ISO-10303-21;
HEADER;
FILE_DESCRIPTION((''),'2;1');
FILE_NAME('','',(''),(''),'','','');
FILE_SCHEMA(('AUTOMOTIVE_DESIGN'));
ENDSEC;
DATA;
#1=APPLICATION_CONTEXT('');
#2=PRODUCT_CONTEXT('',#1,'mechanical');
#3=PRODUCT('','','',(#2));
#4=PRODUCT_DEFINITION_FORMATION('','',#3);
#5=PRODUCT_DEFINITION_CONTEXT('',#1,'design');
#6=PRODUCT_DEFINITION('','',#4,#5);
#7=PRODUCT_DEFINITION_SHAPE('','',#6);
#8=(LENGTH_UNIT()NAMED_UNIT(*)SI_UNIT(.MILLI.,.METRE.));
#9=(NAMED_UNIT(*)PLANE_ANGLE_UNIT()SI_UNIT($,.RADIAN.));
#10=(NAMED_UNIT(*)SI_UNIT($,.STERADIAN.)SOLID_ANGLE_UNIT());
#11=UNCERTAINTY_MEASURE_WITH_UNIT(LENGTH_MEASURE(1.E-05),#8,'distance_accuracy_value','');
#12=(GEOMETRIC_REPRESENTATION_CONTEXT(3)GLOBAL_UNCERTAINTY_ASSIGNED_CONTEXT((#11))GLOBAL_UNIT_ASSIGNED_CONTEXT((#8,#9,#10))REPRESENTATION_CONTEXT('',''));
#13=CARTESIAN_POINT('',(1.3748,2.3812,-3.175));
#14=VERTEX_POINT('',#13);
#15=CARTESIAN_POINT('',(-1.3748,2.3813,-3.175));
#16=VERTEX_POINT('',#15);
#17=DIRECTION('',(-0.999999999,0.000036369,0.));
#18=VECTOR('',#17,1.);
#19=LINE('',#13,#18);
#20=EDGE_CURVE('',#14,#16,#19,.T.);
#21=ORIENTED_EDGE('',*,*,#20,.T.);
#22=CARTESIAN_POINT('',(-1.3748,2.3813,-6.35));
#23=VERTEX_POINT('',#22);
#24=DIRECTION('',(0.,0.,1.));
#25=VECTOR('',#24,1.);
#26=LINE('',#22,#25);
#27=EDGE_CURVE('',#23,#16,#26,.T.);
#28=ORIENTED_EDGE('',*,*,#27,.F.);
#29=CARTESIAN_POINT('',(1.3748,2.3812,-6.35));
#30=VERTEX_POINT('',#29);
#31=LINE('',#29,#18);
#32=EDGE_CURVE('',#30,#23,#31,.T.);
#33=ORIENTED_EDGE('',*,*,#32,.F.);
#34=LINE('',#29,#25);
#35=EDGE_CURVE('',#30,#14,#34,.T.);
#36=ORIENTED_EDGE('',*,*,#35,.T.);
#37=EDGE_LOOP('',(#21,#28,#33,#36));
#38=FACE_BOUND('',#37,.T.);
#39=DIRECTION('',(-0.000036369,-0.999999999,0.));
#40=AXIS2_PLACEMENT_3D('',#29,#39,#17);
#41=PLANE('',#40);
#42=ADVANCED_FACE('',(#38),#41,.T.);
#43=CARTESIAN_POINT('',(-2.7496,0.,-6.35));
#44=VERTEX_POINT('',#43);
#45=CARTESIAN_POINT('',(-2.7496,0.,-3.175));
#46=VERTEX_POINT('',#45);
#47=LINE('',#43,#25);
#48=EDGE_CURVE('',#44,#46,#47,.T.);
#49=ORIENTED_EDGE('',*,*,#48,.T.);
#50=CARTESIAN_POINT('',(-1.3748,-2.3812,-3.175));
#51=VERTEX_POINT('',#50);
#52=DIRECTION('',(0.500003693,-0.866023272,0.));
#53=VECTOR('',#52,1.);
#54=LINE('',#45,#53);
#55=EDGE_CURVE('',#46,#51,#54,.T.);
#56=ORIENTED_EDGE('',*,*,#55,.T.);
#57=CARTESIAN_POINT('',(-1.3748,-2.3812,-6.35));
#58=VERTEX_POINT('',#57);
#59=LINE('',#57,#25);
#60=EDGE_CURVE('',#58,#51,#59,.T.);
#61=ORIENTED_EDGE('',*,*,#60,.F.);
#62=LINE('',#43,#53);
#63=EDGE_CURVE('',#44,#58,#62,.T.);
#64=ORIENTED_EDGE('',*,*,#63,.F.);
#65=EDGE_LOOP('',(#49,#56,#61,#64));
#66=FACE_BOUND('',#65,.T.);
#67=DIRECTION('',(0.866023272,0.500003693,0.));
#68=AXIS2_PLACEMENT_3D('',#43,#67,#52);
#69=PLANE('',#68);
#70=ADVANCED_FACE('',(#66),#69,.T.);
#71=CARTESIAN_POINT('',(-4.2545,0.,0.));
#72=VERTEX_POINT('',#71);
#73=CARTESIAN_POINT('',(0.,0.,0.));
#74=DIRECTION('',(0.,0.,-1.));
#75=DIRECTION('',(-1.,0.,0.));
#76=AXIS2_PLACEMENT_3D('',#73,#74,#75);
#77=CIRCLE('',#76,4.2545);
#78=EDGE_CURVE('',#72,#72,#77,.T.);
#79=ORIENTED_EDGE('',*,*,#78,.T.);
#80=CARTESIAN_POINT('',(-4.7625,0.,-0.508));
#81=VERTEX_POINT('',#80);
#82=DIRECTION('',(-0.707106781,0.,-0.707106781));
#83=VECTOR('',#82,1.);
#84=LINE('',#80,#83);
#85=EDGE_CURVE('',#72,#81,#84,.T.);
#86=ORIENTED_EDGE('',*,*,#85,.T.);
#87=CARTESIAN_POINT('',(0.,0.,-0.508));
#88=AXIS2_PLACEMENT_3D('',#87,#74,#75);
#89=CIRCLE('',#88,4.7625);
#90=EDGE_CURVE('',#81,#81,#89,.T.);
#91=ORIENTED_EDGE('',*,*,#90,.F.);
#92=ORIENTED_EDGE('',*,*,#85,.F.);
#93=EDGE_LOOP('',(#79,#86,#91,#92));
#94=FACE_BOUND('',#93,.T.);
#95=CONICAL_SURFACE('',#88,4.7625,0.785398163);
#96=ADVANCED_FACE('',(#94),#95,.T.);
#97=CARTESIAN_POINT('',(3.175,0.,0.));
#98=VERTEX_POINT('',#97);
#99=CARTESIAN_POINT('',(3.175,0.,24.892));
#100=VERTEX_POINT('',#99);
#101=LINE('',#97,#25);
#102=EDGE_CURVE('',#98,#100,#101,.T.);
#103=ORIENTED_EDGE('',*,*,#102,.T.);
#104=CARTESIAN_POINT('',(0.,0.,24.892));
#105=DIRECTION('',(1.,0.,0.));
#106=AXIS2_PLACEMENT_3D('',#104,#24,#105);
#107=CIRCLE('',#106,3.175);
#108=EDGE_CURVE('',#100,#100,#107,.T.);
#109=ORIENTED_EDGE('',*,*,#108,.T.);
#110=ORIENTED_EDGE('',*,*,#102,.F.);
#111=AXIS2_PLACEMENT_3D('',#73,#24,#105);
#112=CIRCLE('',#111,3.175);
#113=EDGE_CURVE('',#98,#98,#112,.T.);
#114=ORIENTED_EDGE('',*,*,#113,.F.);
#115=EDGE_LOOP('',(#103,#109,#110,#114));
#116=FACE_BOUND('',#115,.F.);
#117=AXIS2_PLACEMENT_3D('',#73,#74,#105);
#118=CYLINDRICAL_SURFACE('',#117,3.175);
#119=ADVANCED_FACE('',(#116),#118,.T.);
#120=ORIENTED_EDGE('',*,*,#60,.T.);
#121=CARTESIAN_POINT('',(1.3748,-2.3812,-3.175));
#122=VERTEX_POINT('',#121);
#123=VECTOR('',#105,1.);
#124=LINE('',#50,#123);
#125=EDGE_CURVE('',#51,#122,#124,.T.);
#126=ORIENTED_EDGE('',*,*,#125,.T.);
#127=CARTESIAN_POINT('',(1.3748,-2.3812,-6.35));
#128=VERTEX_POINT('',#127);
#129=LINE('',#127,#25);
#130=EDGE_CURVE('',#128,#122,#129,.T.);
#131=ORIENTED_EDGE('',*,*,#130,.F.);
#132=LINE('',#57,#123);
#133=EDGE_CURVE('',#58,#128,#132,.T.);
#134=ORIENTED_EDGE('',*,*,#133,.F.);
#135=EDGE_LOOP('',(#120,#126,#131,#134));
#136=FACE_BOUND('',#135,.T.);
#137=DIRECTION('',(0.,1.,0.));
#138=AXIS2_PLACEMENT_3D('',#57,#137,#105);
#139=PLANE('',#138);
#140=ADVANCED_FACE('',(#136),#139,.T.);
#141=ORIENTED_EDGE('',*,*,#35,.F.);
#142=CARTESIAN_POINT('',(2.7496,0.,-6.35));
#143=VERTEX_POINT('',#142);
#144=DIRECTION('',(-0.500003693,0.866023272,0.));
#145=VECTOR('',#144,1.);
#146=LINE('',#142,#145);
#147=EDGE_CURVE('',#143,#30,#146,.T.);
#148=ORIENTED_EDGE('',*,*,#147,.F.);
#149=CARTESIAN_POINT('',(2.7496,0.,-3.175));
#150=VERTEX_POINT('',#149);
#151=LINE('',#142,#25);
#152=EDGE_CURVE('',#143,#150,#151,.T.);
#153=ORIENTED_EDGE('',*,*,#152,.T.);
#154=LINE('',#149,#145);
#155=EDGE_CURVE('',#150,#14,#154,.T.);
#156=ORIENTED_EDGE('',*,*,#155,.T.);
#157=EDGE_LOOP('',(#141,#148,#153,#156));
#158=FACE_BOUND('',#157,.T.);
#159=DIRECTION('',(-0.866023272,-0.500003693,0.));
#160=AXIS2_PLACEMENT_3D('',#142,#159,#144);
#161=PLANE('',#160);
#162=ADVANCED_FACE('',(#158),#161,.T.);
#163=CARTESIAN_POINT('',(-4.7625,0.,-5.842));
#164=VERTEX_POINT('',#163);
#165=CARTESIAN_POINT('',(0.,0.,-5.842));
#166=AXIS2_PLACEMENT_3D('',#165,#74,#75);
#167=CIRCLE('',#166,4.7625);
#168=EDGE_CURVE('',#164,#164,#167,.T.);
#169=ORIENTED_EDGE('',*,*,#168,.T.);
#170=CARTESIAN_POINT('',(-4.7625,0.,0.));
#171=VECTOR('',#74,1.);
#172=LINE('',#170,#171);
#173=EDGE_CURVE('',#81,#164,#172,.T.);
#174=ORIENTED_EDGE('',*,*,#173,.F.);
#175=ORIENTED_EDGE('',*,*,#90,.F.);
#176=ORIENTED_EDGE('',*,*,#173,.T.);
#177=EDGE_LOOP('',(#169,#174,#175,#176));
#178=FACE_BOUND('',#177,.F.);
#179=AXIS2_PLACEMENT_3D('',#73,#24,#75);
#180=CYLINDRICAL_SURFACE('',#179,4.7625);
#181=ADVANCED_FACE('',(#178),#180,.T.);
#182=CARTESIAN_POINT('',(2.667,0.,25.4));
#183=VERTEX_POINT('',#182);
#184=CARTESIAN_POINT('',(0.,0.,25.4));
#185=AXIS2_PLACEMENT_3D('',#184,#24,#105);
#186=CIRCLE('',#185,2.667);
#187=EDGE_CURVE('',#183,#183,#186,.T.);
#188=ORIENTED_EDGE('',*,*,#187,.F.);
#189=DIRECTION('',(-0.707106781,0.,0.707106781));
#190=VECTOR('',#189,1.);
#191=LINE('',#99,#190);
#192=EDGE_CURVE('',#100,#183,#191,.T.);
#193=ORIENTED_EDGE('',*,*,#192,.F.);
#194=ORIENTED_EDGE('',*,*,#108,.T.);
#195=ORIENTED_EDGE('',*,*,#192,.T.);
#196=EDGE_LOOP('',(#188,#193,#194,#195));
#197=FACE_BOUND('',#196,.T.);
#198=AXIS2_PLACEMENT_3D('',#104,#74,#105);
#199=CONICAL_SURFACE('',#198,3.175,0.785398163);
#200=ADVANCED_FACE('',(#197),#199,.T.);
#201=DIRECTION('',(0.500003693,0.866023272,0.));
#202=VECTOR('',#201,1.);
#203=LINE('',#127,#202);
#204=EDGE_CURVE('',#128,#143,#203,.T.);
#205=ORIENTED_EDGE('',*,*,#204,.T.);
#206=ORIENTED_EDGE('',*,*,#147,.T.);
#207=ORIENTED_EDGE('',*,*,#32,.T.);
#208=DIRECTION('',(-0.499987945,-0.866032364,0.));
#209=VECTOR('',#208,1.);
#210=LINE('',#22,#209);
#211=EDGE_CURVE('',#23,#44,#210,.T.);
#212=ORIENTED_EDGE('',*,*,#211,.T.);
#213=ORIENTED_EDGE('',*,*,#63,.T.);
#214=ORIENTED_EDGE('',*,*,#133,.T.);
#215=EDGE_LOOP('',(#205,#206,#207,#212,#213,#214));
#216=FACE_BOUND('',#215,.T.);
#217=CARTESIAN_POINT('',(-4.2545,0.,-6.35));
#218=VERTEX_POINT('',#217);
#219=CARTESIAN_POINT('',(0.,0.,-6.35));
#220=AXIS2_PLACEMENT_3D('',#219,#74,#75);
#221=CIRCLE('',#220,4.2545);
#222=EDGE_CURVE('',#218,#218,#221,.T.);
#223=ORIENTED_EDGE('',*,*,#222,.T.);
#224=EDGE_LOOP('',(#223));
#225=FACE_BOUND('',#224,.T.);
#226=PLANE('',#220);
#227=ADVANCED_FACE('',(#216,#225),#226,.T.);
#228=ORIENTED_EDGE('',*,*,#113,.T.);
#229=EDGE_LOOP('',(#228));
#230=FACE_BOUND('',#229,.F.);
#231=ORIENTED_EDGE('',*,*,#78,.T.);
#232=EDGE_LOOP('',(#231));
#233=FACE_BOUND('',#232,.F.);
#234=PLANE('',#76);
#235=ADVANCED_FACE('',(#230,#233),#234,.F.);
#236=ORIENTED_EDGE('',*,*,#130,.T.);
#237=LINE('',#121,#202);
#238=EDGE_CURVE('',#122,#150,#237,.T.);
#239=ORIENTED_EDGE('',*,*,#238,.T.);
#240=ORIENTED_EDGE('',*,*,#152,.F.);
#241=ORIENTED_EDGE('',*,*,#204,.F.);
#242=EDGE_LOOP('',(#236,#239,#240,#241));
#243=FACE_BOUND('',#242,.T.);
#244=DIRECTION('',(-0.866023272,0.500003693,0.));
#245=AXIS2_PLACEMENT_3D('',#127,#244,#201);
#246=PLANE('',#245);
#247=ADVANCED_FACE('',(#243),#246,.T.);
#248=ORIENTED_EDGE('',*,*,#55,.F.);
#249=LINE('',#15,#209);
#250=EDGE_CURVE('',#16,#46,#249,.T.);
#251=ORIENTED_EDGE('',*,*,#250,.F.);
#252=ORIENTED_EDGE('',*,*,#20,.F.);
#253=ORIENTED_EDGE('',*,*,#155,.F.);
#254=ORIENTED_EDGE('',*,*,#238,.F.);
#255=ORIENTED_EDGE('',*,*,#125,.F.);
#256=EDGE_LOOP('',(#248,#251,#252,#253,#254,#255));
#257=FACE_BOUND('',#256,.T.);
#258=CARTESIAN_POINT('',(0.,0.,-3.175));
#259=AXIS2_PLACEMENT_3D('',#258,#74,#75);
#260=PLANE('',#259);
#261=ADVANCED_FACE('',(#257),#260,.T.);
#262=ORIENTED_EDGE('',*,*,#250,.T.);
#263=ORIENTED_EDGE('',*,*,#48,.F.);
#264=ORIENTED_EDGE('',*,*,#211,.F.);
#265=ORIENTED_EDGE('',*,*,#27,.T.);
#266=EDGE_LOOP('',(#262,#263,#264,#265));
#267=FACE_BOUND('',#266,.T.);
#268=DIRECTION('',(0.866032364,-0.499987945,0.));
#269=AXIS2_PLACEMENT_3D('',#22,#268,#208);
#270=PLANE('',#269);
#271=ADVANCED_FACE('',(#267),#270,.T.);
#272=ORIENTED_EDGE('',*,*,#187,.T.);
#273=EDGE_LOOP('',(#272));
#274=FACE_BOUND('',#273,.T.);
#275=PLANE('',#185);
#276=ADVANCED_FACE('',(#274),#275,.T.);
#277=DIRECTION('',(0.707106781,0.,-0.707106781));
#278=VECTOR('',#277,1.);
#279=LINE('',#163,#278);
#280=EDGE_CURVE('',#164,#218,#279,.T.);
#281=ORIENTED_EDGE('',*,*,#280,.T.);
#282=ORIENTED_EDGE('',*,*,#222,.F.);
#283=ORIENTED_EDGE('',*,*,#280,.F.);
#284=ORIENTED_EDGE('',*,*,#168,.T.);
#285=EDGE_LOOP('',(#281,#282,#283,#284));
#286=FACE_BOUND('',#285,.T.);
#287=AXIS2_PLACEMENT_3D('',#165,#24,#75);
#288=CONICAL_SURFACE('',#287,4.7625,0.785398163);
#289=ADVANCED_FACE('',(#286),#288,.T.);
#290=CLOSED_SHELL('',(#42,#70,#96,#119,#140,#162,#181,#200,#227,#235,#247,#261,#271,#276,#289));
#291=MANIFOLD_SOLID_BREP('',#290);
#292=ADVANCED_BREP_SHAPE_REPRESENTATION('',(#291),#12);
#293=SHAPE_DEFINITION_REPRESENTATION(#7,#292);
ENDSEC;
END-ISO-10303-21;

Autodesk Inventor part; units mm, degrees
ref_plane "YZ Plane" through (0, 0, 0) normal (1, 0, 0) x (0, 1, 0)
ref_plane "XZ Plane" through (0, 0, 0) normal (0, 1, 0) x (-1, 0, 0)
ref_plane "XY Plane" through (0, 0, 0) normal (0, 0, 1) x (1, 0, 0)
sketch "Sketch1" plane through (0, 0, 0) normal (0, 0, 1) x (1, 0, 0)
  circle A0 centre (0, 0) radius 3.175
  dimension "d0" = 6.35
extrude "Extrusion1" add sketch "Sketch1" along normal blind 25.4
sketch "Sketch2" plane through (0, 0, 0) normal (0, 0, -1) x (-1, 0, 0)
  circle A0 centre (0, 0) radius 3.175 projected
  circle A1 centre (0, 0) radius 4.7625
  dimension "d3" = 9.525
extrude "Extrusion2" add sketch "Sketch2" along normal blind 6.35 contours A0 | A1
sketch "Sketch3" plane through (0, 0, -6.35) normal (0, 0, -1) x (-1, 0, 0)
  circle A0 centre (0, 0) radius 4.7625 projected
  line L0 (-1.3748, 2.3812) -> (1.3748, 2.3813)
  line L1 (1.3748, 2.3813) -> (2.7496, 0)
  line L2 (2.7496, 0) -> (1.3748, -2.3812)
  line L3 (1.3748, -2.3812) -> (-1.3748, -2.3812)
  line L4 (-1.3748, -2.3812) -> (-2.7496, 0)
  line L5 (-2.7496, 0) -> (-1.3748, 2.3812)
  dimension "d6" = 4.7625
extrude "Extrusion3" cut sketch "Sketch3" against normal blind 3.175 contours L0 L1 L2 L3 L4 L5
chamfer "Chamfer1" distance 0.508 angle 45 3 edges at (-3.175, 0, 25.4) (4.7625, 0, 0) (4.7625, 0, -6.35)
thread "Thread1" size "1/4-20 UNC" class "2A" standard "ANSI Unified Screw Threads" full length
properties part number "14-20 x750" material "Steel"
